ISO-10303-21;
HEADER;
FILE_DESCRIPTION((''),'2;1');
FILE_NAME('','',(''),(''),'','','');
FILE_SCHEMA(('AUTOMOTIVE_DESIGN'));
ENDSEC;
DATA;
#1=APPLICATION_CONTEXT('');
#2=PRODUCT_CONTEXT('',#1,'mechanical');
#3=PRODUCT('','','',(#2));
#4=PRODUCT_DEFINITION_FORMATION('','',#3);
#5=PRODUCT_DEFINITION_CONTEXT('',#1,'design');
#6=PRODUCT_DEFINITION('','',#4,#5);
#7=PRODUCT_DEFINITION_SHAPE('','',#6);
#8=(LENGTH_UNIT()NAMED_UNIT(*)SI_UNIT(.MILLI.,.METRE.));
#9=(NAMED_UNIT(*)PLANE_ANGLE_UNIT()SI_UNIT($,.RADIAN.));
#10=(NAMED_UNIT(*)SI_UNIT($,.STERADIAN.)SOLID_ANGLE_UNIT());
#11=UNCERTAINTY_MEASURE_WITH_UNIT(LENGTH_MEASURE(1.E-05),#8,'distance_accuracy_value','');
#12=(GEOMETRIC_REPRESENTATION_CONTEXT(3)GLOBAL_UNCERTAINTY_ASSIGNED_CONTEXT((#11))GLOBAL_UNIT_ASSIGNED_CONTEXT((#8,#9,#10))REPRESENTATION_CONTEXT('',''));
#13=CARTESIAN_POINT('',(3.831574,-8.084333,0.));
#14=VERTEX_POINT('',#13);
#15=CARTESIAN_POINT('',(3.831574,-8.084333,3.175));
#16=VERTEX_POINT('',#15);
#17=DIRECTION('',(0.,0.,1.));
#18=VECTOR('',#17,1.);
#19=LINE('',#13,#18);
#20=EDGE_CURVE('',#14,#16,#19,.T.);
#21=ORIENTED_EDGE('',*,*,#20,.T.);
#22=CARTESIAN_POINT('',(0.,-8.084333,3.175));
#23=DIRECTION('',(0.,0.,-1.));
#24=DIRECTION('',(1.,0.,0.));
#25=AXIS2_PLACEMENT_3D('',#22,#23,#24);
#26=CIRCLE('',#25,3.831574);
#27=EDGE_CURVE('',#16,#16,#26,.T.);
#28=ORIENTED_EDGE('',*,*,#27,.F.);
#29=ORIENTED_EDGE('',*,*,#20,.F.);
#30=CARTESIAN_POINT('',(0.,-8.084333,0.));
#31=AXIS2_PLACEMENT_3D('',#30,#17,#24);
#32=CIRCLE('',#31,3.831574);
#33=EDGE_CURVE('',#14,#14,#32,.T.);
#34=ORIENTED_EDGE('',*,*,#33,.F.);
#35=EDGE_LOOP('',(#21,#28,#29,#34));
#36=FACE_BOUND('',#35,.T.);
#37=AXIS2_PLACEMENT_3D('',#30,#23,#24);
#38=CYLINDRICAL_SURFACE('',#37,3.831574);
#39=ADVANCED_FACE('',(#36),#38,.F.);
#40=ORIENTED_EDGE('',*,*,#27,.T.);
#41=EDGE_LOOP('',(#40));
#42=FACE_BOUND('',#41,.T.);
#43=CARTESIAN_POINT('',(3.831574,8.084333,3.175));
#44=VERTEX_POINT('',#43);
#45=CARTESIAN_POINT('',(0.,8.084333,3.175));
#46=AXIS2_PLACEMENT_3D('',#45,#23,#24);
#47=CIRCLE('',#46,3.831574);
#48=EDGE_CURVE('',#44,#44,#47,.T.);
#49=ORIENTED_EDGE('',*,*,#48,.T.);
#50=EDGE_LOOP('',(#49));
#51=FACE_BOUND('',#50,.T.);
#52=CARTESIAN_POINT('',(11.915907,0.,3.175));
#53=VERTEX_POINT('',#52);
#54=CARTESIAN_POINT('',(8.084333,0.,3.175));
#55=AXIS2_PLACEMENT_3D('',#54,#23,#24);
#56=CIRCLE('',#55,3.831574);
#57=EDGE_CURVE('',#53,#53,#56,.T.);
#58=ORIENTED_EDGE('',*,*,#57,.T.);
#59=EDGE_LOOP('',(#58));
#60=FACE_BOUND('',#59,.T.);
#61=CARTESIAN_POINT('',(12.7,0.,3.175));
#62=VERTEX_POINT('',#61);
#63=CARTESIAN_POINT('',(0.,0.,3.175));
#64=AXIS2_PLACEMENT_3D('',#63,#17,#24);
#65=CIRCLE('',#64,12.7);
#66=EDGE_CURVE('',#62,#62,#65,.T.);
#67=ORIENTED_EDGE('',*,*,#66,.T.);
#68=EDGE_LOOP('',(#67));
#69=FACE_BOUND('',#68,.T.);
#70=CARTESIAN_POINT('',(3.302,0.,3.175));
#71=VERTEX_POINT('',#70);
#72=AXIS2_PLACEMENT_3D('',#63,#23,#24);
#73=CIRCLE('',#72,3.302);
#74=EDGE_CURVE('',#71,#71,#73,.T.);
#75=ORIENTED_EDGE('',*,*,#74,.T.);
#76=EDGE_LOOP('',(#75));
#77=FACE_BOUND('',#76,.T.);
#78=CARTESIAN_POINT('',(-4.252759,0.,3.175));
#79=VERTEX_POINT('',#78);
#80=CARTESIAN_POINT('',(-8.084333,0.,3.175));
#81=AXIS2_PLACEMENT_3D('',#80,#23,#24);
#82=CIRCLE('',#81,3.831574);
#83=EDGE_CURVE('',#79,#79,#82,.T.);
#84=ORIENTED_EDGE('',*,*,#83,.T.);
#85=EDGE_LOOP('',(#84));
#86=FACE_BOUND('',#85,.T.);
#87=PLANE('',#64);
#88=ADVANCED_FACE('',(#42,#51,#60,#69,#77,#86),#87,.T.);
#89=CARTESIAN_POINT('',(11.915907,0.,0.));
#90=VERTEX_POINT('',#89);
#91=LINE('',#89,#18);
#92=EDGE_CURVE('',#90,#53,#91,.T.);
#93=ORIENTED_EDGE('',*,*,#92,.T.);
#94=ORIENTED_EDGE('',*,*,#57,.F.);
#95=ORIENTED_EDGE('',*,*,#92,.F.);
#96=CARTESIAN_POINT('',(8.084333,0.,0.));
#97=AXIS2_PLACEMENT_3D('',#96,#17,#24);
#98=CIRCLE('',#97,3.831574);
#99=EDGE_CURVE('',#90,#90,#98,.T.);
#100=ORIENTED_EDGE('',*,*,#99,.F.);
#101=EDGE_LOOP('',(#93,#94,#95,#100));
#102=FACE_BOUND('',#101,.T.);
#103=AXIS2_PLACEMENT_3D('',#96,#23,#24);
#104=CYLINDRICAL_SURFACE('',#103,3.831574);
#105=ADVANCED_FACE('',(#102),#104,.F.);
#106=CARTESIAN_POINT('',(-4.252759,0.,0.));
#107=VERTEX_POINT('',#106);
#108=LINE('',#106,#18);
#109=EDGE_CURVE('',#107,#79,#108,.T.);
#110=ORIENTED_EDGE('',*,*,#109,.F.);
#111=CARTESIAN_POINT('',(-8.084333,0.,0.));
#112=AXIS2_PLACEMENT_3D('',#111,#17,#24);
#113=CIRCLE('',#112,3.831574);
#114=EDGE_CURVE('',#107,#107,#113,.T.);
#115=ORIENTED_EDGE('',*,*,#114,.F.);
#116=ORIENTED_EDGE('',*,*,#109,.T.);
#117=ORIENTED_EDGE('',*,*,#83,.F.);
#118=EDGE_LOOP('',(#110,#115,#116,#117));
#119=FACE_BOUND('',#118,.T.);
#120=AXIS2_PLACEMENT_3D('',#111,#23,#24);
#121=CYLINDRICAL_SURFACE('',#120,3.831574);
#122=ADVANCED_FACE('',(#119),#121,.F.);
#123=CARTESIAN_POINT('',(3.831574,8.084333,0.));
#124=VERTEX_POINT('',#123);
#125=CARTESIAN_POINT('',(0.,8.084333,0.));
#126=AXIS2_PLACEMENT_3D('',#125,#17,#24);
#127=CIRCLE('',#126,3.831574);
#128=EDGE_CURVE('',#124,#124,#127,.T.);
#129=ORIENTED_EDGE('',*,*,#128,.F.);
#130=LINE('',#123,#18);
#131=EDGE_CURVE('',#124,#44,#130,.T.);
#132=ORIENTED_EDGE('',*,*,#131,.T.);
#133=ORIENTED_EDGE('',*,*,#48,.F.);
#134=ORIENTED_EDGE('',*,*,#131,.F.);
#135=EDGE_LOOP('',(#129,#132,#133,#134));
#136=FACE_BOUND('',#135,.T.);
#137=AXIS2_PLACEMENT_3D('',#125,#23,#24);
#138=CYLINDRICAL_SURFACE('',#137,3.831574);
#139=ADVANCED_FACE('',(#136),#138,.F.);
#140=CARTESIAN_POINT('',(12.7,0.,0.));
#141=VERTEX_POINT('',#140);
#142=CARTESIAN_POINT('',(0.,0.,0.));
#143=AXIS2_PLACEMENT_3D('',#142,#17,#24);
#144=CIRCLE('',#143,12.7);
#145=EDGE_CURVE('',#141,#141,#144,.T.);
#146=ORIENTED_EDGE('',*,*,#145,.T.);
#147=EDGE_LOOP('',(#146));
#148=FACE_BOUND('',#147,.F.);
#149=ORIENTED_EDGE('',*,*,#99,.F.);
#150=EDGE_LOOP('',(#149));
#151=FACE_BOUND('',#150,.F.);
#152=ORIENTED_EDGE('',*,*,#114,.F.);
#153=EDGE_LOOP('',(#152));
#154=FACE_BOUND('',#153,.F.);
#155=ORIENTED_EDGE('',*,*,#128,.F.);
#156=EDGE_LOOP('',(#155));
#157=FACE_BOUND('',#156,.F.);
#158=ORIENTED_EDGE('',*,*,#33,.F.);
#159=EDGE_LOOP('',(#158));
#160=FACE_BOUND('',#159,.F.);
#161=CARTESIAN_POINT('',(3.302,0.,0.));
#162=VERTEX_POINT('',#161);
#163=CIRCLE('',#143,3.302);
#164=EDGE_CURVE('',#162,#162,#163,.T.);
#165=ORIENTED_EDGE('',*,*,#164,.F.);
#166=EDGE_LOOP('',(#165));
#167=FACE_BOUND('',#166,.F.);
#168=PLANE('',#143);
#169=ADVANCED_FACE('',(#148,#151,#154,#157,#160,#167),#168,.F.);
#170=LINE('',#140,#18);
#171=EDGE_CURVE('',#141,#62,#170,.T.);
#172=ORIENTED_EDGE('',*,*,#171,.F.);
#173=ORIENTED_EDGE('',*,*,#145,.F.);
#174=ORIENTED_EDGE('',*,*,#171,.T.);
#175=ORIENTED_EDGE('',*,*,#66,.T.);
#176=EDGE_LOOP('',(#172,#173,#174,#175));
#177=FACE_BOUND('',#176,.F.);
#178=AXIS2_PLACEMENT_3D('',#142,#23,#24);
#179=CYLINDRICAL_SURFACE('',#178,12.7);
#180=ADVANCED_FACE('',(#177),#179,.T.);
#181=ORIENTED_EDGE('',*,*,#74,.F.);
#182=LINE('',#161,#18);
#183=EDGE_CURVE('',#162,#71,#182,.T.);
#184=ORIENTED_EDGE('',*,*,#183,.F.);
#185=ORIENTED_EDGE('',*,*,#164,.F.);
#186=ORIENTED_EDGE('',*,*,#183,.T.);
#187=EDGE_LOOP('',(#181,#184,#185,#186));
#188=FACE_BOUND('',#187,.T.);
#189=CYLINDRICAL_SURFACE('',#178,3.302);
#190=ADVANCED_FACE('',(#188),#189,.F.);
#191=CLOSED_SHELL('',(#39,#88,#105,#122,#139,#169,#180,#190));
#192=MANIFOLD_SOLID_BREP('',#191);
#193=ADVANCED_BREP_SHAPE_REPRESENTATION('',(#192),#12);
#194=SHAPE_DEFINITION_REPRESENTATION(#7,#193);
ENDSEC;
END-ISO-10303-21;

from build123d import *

# Parameters (mm, degrees)
F0_R     = 12.7
F1_DEPTH = 3.175
F2_R     = 3.302
F3_DEPTH = 25.4
F4_R     = 3.831574
F5_DEPTH = 25.4


with BuildPart() as f1:
    # F0 (on Top) → F1 (new body)
    with BuildSketch(Plane.XY):
        Circle(F0_R)
    extrude(amount=F1_DEPTH)

    # F2 (on Top) → F3 (cut)
    with BuildSketch(Plane.XY):
        Circle(F2_R)
    extrude(amount=F3_DEPTH, mode=Mode.SUBTRACT)

    # F4 (on Top) → F5 (cut)
    with BuildSketch(Plane.XY):
        with Locations((0, 8.084333)):
            Circle(F4_R)
        with Locations((-8.084333, 0)):
            Circle(F4_R)
        with Locations((0, -8.084333)):
            Circle(F4_R)
        with Locations((8.084333, 0)):
            Circle(F4_R)
    extrude(amount=F5_DEPTH, mode=Mode.SUBTRACT)


solid = f1.part
